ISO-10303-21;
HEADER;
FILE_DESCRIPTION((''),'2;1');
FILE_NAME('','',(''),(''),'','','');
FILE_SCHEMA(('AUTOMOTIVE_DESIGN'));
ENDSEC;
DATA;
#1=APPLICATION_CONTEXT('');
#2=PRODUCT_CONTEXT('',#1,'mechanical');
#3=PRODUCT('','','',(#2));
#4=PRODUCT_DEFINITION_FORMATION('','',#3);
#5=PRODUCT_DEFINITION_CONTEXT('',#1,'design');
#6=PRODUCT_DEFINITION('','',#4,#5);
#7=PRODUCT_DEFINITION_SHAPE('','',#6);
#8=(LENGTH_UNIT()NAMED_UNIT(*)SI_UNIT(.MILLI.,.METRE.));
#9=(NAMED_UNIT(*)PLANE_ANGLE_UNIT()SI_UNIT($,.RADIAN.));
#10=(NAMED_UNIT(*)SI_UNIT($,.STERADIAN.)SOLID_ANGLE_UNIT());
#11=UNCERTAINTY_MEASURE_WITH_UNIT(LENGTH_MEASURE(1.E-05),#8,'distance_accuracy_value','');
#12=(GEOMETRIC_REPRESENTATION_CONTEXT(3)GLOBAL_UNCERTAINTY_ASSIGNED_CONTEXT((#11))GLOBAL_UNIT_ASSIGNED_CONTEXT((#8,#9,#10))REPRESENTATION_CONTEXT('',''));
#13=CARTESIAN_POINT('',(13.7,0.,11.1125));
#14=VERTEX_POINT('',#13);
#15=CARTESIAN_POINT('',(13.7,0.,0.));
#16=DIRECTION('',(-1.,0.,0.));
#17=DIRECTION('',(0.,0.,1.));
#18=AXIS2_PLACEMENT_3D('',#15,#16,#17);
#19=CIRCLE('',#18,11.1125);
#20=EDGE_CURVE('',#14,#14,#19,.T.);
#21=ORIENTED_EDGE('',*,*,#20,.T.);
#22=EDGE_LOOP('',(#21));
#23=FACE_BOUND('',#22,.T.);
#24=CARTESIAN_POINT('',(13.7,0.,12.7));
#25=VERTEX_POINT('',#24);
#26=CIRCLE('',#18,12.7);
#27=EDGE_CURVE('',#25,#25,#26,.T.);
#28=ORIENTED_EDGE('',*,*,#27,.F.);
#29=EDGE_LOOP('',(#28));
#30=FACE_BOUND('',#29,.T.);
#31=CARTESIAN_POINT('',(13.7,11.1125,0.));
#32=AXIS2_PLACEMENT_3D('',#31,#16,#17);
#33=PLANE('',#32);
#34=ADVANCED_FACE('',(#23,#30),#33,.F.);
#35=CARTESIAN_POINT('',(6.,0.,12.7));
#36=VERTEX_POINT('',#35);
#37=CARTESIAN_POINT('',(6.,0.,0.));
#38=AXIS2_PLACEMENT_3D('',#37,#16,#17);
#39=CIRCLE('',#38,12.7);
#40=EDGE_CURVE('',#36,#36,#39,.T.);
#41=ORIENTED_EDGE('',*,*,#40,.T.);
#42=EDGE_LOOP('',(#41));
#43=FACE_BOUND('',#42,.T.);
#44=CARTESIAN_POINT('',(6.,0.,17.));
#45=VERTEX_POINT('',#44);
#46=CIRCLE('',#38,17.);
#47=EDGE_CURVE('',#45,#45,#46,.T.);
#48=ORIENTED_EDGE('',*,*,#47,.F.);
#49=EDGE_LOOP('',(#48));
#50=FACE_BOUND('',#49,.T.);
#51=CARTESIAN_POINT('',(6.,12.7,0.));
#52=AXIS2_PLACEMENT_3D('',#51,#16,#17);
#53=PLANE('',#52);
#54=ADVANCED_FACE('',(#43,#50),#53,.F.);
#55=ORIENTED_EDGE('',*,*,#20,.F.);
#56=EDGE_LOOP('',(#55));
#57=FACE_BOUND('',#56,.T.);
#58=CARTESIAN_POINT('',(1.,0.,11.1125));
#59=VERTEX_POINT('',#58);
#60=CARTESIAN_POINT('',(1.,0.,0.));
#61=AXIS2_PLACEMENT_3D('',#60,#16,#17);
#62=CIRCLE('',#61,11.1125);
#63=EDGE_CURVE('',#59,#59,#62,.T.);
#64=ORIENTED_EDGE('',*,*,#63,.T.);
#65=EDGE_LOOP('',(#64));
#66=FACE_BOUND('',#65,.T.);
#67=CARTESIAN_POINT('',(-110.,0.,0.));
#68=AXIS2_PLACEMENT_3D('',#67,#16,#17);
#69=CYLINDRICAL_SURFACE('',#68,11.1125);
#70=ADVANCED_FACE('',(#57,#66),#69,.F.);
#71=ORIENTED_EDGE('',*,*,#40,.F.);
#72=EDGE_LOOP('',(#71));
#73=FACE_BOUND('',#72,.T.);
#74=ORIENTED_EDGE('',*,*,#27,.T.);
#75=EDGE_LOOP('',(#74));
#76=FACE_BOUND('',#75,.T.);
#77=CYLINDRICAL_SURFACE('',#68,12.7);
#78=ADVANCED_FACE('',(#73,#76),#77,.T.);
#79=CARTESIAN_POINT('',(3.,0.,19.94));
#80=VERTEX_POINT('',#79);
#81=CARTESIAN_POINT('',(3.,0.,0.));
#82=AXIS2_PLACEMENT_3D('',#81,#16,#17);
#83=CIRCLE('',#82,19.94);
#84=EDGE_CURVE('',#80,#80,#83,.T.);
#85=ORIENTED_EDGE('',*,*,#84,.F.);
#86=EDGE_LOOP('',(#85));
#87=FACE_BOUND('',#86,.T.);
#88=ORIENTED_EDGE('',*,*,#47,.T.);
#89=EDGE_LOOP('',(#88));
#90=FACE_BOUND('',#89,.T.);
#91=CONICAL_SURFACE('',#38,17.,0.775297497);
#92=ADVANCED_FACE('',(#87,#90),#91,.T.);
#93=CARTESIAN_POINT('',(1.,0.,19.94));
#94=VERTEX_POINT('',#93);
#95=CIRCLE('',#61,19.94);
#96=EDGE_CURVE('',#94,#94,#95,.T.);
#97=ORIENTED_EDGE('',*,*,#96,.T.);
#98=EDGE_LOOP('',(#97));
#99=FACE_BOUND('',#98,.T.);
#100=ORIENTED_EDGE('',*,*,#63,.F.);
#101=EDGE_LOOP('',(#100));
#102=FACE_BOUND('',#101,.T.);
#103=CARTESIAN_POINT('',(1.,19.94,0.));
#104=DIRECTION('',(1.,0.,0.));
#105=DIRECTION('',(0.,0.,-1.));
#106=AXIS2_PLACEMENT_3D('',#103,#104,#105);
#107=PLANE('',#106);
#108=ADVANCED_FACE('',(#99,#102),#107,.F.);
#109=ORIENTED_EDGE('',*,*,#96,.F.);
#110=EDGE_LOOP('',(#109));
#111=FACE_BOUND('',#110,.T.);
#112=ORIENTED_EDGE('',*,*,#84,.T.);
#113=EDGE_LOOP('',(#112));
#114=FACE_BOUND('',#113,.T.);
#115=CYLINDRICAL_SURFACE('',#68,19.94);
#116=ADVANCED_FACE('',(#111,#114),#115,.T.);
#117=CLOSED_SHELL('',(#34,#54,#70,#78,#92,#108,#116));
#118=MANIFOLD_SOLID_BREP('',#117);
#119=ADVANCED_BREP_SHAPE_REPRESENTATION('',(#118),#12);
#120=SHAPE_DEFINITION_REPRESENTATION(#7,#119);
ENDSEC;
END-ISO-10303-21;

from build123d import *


with BuildPart() as part:
    # Axial profile (mm) → Full revolution (revolve)
    with BuildSketch(Plane.XY, mode=Mode.PRIVATE) as full_revolution_sk:
        Polygon((1, 11.1125), (13.7, 11.1125), (13.7, 12.7), (6, 12.7), (6, 17), (3, 19.94), (1, 19.94), align=None)
    revolve(full_revolution_sk.sketch.rotate(Axis((-110, 0, 0), (1, 0, 0)), 90), axis=Axis((-110, 0, 0), (1, 0, 0)))


solid = part.part
